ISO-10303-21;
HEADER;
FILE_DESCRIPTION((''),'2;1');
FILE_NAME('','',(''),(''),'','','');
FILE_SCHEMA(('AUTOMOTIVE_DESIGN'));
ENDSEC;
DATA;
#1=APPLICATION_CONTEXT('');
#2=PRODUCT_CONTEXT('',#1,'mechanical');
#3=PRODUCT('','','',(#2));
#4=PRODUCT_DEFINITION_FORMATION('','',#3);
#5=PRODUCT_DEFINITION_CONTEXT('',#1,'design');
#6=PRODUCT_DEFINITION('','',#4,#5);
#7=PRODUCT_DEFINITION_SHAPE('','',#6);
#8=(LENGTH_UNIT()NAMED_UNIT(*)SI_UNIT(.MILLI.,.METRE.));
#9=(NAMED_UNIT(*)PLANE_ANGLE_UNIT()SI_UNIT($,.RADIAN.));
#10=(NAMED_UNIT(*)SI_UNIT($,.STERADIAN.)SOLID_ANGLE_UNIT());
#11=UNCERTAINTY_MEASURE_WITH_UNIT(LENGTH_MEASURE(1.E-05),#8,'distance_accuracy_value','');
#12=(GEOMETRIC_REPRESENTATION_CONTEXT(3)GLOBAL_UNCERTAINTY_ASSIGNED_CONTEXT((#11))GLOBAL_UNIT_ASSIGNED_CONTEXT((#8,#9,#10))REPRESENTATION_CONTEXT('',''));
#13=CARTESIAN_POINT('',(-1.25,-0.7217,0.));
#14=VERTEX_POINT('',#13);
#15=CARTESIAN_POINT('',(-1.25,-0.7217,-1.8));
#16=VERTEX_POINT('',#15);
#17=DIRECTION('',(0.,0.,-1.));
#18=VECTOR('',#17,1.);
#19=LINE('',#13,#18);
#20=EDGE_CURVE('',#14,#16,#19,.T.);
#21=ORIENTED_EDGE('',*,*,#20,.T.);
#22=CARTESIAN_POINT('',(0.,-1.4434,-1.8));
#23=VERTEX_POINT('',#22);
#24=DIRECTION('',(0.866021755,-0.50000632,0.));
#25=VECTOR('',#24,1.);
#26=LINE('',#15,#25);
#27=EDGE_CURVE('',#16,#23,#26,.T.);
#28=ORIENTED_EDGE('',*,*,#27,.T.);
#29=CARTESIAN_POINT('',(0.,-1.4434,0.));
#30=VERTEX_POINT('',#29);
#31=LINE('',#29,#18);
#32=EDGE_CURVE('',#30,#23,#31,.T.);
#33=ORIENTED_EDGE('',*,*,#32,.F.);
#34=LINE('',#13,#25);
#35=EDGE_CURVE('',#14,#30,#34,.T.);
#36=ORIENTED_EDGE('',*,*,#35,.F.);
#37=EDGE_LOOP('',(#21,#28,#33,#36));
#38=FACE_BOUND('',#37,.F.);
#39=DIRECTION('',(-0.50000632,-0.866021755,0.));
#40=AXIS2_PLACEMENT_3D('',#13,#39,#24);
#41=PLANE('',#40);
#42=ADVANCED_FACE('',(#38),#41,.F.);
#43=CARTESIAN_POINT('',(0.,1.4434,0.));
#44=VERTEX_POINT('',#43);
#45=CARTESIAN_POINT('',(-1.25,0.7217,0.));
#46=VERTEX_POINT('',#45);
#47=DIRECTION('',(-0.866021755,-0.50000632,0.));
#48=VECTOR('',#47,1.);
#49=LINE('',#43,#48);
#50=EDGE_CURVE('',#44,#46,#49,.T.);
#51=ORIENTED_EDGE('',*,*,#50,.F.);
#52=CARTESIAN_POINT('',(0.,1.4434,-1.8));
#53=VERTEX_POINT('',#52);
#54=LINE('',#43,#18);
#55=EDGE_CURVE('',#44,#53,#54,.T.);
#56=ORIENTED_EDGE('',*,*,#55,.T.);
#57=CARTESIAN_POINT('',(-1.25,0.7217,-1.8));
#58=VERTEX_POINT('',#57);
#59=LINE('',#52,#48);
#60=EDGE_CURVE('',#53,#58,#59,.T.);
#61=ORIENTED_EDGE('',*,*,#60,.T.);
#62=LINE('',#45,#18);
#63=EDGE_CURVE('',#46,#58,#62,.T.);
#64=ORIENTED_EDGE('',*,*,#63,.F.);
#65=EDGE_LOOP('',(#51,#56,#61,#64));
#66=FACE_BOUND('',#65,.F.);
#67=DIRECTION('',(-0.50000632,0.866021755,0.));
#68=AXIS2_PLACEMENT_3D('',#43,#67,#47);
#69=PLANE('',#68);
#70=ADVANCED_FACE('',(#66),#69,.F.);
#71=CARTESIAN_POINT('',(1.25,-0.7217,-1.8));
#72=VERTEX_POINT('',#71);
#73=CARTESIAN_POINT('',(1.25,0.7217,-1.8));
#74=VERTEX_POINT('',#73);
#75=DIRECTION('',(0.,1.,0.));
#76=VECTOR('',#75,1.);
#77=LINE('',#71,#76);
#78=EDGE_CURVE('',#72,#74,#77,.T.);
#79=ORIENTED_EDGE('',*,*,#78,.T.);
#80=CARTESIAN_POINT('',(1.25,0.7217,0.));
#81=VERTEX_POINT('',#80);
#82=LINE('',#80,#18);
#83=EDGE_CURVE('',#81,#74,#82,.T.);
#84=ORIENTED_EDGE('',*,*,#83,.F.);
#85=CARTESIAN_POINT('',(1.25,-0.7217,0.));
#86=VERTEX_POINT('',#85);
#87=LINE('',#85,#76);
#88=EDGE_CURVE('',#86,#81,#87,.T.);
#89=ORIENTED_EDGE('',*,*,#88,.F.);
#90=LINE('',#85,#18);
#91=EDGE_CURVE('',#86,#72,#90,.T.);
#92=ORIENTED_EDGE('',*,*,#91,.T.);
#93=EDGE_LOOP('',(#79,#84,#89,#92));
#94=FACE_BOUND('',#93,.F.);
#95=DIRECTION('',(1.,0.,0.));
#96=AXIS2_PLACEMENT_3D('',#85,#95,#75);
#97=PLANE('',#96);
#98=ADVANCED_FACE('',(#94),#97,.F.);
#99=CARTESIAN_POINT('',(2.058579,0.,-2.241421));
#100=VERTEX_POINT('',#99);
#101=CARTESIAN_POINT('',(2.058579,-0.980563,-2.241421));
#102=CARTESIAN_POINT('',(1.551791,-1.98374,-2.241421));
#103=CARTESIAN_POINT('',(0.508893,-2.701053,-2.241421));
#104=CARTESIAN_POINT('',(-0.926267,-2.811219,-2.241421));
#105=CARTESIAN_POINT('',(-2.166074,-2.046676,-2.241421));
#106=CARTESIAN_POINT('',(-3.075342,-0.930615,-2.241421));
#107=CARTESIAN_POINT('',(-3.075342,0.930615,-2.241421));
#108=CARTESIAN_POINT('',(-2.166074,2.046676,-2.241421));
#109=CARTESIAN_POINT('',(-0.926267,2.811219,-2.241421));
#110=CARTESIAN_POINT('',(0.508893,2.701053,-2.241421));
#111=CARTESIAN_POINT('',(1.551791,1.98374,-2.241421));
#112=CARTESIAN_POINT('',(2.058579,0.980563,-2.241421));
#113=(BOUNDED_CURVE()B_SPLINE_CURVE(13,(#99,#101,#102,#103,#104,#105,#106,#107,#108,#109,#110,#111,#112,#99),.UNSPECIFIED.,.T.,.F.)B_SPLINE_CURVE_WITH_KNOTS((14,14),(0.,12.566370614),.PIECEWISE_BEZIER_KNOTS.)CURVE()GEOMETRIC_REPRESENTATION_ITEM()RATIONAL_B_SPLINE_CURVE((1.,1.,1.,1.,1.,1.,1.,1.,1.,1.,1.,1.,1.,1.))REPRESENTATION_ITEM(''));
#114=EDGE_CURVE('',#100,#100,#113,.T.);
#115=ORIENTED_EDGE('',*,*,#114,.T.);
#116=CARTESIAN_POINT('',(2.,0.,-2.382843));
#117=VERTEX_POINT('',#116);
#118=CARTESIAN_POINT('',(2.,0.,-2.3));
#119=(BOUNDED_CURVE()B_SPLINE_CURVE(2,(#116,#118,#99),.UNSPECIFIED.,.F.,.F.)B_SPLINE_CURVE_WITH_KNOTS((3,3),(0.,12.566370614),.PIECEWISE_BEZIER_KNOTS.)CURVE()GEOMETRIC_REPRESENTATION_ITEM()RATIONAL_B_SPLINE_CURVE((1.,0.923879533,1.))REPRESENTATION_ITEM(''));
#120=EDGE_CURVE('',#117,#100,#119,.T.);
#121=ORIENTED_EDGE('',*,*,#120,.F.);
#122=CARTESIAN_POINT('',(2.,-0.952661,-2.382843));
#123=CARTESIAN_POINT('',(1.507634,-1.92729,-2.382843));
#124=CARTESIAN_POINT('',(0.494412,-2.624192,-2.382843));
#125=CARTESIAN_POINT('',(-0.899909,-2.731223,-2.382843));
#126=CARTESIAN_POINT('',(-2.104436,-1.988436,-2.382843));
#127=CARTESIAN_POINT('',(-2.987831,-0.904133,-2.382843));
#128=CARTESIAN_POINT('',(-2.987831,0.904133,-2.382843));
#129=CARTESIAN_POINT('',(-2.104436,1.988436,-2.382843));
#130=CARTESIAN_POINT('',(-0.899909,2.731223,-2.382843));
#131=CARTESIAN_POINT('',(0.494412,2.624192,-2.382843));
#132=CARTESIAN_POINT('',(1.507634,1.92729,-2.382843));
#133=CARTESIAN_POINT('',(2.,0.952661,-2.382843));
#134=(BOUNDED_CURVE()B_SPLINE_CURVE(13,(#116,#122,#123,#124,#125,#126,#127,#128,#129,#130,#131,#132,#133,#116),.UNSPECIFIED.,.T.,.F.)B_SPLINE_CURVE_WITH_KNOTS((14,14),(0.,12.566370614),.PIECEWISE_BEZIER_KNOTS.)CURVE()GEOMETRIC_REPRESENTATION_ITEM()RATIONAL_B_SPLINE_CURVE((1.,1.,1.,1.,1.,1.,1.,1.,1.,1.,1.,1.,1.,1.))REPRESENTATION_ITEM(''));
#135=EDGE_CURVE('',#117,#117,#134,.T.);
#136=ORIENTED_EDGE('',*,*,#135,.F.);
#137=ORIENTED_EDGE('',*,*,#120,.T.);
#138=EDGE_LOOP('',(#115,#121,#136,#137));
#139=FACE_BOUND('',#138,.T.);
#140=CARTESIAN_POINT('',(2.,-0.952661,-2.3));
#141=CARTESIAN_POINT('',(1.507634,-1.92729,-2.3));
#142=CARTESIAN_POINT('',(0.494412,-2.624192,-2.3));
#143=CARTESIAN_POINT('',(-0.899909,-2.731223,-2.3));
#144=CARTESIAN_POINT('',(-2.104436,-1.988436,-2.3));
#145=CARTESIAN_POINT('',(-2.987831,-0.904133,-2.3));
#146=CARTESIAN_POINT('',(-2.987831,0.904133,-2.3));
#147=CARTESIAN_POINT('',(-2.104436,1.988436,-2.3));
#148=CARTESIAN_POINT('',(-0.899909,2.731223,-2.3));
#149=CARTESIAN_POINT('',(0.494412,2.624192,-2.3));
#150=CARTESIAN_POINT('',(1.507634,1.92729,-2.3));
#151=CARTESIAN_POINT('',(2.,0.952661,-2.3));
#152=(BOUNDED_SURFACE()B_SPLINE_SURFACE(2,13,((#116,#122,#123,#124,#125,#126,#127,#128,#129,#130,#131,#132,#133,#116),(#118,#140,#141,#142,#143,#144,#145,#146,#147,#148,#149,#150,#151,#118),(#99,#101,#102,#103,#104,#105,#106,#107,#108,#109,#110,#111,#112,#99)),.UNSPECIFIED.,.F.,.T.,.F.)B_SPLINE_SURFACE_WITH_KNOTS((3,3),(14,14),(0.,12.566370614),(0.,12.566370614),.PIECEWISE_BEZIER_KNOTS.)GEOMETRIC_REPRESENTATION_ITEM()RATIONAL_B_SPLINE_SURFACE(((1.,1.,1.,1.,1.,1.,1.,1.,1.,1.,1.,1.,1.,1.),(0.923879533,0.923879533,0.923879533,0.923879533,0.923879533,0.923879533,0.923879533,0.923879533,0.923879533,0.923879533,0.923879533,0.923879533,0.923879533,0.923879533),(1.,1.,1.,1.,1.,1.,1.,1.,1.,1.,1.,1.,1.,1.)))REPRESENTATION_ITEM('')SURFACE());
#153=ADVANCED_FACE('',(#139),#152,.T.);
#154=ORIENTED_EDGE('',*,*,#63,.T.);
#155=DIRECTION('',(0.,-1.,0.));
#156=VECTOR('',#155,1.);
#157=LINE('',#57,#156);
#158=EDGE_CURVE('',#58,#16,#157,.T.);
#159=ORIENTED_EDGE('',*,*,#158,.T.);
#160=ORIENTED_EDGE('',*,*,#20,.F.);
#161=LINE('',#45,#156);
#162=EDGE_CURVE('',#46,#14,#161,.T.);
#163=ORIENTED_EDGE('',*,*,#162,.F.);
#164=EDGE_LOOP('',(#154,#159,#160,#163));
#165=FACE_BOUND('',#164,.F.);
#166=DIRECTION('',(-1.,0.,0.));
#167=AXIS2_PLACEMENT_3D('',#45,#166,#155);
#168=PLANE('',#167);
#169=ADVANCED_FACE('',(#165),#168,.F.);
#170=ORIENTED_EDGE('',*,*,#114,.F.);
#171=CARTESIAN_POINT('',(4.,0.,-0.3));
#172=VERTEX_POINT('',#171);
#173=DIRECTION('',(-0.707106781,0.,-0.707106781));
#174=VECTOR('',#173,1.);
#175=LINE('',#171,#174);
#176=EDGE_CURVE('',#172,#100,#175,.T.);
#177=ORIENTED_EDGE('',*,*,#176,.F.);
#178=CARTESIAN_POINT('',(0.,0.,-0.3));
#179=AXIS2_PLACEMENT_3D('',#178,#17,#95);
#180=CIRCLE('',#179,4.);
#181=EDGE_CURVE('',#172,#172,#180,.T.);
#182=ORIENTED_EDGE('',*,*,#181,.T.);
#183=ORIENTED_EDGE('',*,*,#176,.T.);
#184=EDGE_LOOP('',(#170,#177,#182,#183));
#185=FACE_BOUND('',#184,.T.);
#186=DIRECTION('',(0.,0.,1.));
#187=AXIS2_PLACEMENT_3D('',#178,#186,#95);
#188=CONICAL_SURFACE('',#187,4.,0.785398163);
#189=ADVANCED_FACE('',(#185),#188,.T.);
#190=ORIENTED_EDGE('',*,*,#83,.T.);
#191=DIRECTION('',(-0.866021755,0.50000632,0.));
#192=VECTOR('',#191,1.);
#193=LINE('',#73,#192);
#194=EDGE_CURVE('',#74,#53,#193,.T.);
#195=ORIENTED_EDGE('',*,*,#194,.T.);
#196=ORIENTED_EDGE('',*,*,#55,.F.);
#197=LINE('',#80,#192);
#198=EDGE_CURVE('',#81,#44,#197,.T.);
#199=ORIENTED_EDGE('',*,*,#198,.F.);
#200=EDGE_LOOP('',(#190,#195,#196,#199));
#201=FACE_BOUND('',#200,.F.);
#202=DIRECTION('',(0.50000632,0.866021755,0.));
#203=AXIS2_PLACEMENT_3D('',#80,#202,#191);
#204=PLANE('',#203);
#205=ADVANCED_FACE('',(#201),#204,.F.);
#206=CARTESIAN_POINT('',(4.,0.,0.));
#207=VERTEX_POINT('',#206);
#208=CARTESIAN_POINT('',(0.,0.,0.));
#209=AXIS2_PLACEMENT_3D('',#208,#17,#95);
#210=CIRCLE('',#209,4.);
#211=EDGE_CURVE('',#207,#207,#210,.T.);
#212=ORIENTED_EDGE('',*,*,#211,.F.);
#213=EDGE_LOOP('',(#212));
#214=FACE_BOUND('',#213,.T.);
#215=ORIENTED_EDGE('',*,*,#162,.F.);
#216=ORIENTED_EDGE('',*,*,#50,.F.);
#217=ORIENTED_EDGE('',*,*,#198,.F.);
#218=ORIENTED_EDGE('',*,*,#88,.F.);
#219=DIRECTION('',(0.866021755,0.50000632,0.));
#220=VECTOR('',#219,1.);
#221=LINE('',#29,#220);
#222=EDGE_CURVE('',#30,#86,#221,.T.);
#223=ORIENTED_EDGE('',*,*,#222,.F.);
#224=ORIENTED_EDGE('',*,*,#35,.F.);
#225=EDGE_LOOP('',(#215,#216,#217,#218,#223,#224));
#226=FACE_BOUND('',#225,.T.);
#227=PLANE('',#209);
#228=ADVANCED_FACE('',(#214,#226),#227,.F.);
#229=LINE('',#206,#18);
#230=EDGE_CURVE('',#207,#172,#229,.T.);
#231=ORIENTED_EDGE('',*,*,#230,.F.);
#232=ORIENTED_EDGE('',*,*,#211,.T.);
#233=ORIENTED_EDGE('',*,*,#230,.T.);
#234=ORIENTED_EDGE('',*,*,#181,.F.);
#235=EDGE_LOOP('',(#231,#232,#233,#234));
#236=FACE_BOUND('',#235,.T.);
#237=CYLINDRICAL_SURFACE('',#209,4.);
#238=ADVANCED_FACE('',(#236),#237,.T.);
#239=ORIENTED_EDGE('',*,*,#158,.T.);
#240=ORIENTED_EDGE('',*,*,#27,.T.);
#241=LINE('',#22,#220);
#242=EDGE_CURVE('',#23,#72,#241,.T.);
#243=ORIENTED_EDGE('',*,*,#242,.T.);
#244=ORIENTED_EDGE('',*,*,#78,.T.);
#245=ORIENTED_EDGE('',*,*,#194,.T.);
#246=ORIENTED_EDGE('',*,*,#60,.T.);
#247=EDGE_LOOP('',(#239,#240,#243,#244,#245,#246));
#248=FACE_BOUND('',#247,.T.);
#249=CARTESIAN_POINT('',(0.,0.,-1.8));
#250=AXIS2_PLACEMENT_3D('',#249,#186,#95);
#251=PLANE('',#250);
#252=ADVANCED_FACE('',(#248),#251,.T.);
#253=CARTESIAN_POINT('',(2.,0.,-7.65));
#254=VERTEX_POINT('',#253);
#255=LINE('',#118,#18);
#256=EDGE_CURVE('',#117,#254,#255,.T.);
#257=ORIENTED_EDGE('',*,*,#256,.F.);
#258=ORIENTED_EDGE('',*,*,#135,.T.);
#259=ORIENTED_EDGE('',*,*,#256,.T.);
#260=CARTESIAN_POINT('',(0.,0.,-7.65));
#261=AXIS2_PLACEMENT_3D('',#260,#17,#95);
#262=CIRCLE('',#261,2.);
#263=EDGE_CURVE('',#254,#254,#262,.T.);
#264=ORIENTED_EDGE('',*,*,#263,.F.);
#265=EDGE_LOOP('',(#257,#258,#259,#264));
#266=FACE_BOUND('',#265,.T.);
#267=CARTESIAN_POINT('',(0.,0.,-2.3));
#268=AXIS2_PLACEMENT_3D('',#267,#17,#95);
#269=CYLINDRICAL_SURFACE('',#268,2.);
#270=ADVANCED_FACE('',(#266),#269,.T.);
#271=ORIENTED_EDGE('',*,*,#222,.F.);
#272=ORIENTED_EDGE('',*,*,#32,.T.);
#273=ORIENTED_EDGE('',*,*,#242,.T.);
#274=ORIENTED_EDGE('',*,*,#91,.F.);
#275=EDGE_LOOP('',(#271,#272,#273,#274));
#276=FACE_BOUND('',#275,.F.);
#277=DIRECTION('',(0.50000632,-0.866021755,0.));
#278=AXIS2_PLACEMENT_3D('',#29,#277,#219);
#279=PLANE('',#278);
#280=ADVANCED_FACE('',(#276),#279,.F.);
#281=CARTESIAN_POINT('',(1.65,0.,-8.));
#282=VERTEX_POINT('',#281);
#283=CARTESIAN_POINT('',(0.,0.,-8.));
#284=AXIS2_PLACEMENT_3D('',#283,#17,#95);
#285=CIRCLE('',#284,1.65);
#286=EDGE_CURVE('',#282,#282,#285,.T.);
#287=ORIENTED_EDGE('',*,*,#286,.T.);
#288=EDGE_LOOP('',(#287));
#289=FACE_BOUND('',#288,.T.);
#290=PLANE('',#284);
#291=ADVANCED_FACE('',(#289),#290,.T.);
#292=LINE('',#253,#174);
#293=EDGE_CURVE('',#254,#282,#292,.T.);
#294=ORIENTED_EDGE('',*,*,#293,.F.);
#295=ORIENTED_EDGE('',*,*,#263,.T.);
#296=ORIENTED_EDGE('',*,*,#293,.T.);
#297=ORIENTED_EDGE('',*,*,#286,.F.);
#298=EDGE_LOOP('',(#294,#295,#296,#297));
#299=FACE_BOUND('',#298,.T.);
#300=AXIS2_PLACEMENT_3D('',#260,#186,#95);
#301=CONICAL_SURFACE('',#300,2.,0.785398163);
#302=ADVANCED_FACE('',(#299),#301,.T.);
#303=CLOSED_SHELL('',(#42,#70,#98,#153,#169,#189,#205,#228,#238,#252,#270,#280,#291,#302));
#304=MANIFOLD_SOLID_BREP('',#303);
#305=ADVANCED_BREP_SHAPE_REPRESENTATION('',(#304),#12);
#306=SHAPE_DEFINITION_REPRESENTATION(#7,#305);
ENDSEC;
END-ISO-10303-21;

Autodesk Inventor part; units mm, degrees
ref_plane "YZ Plane" through (0, 0, 0) normal (1, 0, 0) x (0, 1, 0)
sketch "Sketch1" plane through (0, 0, 0) normal (0, 1, 0) x (-1, 0, 0)
  point P0 (0, 0)
sketch "Sketch2" plane through (0, 0, 0) normal (0, 1, 0) x (-1, 0, 0)
  line L0 (-2, -8) -> (0, -8)
  line L1 (-2, -2.3) -> (-2, -8)
  line L2 (-4, -0.3) -> (-2, -2.3)
  line L3 (-4, 0) -> (-4, -0.3)
  line L4 (0, 0) -> (-4, 0)
  line L5 (0, -8) -> (0, 0)
  line L6 (0, -8) -> (0, 0)
  line L7 (0, -9.6) -> (0, 1.6) projected
  line L8 (0.8, 0) -> (-4.8, 0) projected
  dimension "d3" = 4
  dimension "d5" = 2
  dimension "d7" = 8
  dimension "ParC" = 0.3
  dimension "d22" = 0
  dimension "d23" = 0
  dimension "d43" = 45
revolve "Revolution1" add sketch "Sketch2" angle 360 about axis through (0, 0, -8) along (0, 0, -1)
sketch "Sketch3" plane through (0, 0, 0) normal (0, 0, 1) x (1, 0, 0)
  line L0 (-1.25, 0.7217) -> (-1.25, -0.7217)
  line L1 (0, 1.4434) -> (-1.25, 0.7217)
  line L2 (1.25, 0.7217) -> (0, 1.4434)
  line L3 (1.25, -0.7217) -> (1.25, 0.7217)
  line L4 (0, -1.4434) -> (1.25, -0.7217)
  line L5 (-1.25, -0.7217) -> (0, -1.4434)
  circle A0 centre (0, 0) radius 1.25 construction
  circle A1 centre (0, 0) radius 2 construction
  dimension "d11" = 2.5
  dimension "d13" = 120
  dimension "d15" = 120
extrude "Extrusion1" cut sketch "Sketch3" against normal blind 1.8
fillet "Fillet1" radius 0.2 1 edges at (-2, 0, -2.3)
chamfer "Chamfer1" distance 0.35 angle 45 1 edges at (-2, 0, -8) measured on face at (-0.9288, -1.7713, -6.1276)
thread "Thread1" size "M4x0.7" class "6g" standard "ISO Metric profile" length 4.3
ref_plane "MSC_PF1" through (0, 0, 0) normal (1, 0, 0) x (0, 1, 0)
ref_plane "MSC_PT1" through (0, 0, 0) normal (0, 0, -1) x (-1, 0, 0)
equation "\"d18\" = r"
equation "\"d19\" = 0.5 * PTC"
equation "\"d39\" = 0.5 * PTC"
equation "\"d3\" = 0.5 * dk"
equation "\"d5\" = 0.5 * NND"
equation "\"d7\" = NLG"
equation "\"d43\" = 0.5 * ang"
equation "\"d11\" = ParS"
equation "\"d16\" = ParT"
equation "\"NND\" = 4"
equation "\"PTC\" = 0.7"
equation "\"dk\" = 8"
equation "\"ParK\" = 2.3"
equation "\"ParS\" = 2.5"
equation "\"ParT\" = 1.8"
equation "\"r\" = 0.2"
equation "\"NLG\" = 8"
equation "\"ang\" = 90deg"
equation "\"THREADDIA\" = NND"
properties part number "DIN 7991 - M4x8" material "Steel, Mild"
